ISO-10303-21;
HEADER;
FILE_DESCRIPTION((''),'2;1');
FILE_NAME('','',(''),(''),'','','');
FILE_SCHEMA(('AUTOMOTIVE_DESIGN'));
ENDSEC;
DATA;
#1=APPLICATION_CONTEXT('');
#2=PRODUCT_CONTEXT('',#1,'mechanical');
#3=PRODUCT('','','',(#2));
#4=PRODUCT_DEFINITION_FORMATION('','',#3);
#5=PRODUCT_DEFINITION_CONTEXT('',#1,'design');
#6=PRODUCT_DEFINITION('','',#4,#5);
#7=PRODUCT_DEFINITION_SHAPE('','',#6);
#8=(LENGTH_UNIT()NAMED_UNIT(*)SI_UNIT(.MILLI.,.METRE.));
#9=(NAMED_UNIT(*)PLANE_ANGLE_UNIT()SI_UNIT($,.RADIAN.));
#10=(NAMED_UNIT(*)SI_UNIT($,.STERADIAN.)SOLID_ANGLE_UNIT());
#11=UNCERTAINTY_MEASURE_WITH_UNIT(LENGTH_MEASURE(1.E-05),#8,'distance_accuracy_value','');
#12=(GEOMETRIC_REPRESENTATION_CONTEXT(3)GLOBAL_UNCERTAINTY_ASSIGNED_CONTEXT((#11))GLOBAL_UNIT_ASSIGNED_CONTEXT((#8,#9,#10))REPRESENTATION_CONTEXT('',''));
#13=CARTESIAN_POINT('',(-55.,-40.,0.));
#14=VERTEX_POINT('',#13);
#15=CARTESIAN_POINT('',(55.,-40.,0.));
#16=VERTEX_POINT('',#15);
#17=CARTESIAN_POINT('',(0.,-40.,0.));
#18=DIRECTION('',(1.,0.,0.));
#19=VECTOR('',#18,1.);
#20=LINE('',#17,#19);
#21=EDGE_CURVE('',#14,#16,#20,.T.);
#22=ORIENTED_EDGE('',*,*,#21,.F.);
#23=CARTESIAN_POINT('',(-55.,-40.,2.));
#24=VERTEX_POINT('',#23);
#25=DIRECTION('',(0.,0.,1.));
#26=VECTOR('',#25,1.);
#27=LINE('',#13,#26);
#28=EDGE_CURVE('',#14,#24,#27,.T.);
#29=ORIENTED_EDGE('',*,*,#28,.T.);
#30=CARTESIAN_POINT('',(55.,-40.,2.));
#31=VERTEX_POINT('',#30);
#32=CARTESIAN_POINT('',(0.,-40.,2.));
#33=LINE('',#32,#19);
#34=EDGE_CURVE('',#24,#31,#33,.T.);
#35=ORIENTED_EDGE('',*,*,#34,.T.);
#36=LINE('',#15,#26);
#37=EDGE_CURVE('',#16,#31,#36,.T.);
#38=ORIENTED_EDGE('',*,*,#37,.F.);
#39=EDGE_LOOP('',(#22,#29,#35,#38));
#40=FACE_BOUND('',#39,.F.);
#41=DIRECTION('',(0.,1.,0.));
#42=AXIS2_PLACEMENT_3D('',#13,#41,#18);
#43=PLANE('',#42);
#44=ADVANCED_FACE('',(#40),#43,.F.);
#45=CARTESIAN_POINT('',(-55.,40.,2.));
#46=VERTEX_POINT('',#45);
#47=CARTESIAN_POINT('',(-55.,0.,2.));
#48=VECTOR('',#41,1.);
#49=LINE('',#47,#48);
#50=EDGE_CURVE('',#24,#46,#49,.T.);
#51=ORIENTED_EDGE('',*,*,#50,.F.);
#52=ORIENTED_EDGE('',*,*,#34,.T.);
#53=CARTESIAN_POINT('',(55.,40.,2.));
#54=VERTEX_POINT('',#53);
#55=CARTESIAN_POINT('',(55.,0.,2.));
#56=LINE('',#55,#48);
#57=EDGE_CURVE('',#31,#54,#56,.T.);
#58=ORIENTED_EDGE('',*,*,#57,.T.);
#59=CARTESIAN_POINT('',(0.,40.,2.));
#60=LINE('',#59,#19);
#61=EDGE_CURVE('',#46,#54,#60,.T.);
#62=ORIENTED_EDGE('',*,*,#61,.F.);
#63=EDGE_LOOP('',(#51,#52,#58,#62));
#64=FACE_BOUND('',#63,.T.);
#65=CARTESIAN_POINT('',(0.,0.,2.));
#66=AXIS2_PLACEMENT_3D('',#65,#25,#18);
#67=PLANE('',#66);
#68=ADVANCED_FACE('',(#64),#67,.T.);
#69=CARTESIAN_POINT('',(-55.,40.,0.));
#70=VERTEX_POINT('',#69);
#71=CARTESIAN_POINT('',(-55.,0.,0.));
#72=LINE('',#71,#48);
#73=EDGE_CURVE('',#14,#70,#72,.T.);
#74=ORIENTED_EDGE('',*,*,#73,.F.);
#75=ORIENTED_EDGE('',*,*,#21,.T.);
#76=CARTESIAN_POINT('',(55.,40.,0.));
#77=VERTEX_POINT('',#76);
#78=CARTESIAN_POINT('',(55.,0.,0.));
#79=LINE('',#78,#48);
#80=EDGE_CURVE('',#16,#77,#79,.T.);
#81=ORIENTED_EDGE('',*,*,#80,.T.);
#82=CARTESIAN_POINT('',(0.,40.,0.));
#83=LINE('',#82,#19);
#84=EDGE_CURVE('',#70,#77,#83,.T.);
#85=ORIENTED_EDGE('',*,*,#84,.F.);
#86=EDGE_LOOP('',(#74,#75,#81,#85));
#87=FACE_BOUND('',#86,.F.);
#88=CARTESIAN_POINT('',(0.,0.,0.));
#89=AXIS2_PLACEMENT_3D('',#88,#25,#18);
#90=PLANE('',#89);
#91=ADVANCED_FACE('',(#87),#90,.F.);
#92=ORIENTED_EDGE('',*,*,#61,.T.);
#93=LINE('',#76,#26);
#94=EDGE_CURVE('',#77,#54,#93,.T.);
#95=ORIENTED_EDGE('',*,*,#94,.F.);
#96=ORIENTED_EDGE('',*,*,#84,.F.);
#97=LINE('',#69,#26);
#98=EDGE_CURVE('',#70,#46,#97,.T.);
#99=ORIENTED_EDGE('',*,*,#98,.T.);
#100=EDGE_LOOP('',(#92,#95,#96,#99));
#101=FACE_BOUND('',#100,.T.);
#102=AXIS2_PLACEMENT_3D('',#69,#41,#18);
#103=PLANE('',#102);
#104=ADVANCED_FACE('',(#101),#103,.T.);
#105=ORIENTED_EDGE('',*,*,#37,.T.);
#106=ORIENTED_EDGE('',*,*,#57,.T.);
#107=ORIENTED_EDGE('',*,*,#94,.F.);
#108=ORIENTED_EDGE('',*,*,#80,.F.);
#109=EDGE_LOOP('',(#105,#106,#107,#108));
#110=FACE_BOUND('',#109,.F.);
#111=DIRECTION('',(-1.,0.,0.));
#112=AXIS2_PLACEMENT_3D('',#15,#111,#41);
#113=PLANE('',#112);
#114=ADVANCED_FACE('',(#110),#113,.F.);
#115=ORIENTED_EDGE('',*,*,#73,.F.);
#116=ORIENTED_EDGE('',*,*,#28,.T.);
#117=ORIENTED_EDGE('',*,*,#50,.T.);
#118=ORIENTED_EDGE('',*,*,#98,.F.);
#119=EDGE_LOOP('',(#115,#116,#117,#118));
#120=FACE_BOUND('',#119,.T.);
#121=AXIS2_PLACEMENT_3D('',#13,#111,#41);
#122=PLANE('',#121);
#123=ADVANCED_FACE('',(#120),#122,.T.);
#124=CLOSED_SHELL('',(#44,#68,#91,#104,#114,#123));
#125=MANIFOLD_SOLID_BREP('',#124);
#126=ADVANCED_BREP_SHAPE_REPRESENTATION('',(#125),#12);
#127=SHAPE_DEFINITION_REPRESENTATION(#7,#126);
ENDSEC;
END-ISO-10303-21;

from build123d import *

# Parameters (mm, degrees)
SKETCH_W  = 110
SKETCH_H  = 80
PAD_DEPTH = 2


with BuildPart() as part:
    # Sketch → Pad (new body)
    with BuildSketch(Plane.XY):
        Rectangle(SKETCH_W, SKETCH_H)
    extrude(amount=PAD_DEPTH)


solid = part.part
